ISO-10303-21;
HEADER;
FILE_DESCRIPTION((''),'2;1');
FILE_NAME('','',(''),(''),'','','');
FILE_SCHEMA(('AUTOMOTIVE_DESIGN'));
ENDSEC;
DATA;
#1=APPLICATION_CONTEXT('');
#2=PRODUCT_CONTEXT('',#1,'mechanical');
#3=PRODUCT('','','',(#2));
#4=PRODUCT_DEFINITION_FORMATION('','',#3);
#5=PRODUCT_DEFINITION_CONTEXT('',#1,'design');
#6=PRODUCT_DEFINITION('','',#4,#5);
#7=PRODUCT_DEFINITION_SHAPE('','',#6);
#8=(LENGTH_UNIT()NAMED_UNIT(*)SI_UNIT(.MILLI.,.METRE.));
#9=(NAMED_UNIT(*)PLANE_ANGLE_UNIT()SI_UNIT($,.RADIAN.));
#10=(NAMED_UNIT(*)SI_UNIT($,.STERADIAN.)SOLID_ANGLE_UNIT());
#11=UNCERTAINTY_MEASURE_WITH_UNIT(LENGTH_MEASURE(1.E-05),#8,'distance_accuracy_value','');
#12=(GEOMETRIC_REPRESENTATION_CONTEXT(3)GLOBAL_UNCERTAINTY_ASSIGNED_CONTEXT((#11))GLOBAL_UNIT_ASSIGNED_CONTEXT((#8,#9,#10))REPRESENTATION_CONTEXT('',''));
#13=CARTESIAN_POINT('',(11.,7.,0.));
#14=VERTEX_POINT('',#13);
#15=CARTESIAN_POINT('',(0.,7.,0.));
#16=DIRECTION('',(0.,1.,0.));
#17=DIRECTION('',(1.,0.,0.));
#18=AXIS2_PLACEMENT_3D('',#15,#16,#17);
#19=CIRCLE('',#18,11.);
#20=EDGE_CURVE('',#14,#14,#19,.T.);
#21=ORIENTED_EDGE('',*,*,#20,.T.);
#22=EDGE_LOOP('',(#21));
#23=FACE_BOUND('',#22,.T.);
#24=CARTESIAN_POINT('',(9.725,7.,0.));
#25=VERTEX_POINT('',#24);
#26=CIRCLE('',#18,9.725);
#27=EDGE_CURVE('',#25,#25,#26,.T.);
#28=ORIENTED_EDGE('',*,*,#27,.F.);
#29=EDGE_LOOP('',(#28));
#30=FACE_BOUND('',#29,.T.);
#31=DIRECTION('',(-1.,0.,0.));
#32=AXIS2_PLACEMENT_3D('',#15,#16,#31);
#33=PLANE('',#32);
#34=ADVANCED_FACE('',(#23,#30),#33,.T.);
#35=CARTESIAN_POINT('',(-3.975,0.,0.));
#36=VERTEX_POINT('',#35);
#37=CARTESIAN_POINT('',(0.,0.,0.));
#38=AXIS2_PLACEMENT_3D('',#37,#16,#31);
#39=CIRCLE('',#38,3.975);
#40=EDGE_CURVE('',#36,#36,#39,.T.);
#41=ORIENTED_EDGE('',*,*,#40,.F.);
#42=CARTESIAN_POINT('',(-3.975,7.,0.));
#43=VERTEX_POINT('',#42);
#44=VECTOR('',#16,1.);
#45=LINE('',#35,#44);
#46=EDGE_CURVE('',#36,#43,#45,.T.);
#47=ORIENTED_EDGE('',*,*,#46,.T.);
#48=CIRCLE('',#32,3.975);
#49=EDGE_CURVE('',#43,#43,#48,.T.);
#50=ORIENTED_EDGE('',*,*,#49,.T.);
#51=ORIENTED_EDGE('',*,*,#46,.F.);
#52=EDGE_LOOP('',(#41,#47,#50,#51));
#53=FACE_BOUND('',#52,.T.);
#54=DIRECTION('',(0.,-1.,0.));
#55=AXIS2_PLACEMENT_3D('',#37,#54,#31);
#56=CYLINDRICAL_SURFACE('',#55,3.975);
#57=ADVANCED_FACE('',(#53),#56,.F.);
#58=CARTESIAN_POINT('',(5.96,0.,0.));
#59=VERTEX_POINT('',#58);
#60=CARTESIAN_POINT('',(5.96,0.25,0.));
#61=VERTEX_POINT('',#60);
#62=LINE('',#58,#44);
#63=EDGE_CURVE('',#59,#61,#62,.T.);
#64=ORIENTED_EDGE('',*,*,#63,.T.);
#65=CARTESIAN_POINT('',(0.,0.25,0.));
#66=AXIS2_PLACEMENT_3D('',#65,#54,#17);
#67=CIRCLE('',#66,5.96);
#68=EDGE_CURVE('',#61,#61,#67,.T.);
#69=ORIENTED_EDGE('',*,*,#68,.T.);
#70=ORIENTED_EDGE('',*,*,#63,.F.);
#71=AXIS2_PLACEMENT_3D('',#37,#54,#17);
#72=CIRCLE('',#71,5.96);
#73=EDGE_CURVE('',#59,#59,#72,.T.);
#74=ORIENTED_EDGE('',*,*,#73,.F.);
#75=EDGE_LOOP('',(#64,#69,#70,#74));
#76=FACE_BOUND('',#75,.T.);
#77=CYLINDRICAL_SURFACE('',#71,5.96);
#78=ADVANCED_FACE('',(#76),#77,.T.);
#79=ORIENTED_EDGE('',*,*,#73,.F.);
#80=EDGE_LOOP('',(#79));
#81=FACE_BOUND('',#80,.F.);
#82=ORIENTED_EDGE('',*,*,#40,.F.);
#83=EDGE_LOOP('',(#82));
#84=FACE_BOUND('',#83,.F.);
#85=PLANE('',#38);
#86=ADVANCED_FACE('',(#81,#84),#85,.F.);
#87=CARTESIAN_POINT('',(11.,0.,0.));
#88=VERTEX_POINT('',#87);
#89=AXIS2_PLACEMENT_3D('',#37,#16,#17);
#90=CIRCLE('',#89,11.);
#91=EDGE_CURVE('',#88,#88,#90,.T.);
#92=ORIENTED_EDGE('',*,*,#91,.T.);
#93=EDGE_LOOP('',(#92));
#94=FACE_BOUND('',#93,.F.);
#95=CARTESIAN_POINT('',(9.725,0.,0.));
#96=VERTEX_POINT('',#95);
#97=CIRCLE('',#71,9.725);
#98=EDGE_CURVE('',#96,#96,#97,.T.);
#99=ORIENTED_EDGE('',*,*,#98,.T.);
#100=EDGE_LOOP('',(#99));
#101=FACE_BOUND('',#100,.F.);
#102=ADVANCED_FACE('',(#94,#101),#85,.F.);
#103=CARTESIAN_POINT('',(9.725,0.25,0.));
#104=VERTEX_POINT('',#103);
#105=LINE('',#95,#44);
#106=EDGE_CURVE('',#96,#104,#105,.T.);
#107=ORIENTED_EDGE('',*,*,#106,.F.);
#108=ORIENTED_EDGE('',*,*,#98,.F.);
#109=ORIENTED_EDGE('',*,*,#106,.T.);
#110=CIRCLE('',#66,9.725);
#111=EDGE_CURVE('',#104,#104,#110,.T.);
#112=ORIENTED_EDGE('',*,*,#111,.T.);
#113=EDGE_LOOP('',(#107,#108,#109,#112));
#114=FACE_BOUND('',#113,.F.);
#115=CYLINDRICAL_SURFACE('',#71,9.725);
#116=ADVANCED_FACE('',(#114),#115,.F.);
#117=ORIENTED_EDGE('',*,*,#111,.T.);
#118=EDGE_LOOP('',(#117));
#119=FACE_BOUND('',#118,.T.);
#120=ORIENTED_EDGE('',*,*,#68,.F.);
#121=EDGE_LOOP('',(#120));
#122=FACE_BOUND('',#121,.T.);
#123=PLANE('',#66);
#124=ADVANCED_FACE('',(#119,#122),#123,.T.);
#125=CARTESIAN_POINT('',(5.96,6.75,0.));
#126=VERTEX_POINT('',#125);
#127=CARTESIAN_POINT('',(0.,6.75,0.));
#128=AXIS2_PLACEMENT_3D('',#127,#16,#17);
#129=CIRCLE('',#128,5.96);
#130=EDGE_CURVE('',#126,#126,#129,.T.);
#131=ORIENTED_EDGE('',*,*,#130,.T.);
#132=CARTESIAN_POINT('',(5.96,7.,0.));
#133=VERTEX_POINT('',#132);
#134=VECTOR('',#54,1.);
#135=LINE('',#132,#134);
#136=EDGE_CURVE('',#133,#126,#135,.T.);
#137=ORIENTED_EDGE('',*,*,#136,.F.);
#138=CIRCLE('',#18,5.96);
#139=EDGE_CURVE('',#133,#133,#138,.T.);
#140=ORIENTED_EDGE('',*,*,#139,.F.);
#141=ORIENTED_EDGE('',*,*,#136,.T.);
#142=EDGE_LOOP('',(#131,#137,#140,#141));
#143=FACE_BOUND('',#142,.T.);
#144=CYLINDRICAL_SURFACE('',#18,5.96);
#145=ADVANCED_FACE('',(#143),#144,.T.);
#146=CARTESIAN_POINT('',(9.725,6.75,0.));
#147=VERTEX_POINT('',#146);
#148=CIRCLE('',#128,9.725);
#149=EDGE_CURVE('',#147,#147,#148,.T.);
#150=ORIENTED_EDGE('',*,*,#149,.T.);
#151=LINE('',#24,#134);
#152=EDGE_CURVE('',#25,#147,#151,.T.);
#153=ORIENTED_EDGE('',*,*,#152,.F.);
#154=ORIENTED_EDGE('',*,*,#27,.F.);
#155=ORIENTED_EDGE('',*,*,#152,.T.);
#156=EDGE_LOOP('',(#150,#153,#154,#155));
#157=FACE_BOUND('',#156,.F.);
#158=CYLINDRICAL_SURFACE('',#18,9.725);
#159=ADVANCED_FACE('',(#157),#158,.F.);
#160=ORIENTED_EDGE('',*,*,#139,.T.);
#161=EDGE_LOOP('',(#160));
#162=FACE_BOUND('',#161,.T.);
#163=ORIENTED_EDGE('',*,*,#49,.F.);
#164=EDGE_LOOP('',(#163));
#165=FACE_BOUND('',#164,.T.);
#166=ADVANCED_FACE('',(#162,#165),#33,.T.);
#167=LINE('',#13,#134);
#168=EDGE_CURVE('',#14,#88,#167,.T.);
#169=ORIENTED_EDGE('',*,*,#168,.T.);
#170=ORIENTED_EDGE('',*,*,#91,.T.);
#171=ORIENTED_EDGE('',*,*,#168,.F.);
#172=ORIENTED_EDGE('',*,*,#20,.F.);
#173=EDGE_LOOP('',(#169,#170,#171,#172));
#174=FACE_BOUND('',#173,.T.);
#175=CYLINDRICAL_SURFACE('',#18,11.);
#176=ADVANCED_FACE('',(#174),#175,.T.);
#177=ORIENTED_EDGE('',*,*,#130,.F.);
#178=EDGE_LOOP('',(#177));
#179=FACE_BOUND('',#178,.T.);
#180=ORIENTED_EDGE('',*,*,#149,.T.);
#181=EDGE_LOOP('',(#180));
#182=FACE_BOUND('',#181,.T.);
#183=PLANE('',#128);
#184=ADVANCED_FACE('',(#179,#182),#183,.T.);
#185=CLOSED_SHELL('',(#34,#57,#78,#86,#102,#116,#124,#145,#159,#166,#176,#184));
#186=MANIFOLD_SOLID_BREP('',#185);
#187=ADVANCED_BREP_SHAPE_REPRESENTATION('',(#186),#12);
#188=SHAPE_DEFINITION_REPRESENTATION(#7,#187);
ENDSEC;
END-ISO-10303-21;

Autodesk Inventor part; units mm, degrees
ref_plane "YZ Plane" through (0, 0, 0) normal (1, 0, 0) x (0, 1, 0)
ref_plane "XZ Plane" through (0, 0, 0) normal (0, 1, 0) x (-1, 0, 0)
ref_plane "XY Plane" through (0, 0, 0) normal (0, 0, 1) x (1, 0, 0)
sketch "Sketch1" plane through (0, 0, 0) normal (0, 1, 0) x (-1, 0, 0)
  circle A0 centre (0, 0) radius 3.975
  circle A1 centre (0, 0) radius 5.965
  dimension "d0" = 7.95
  dimension "d1" = 11.93
extrude "Extrusion1" add sketch "Sketch1" along normal blind 7
sketch "Sketch2" plane through (0, 7, 0) normal (0, 1, 0) x (1, 0, 0)
  circle A0 centre (0, 0) radius 5.965 projected
  circle A1 centre (0, 0) radius 11
  dimension "d4" = 22
extrude "Extrusion2" add sketch "Sketch2" against normal up to surface (7 mm away)
sketch "Sketch3" plane through (0, 0, 0) normal (0, -1, 0) x (1, 0, 0)
  circle A0 centre (0, 0) radius 5.96
  circle A1 centre (0, 0) radius 9.725
  dimension "d7" = 11.92
  dimension "d8" = 19.45
extrude "Extrusion3" cut sketch "Sketch3" against normal blind 0.25
sketch "Sketch4" plane through (0, 7, 0) normal (0, 1, 0) x (1, 0, 0)
  circle A0 centre (0, 0) radius 5.96 projected
  circle A1 centre (0, 0) radius 9.725 projected
  circle A2 centre (0, 0) radius 5.96 projected
  circle A3 centre (0, 0) radius 9.725 projected
extrude "Extrusion4" cut sketch "Sketch4" against normal blind 0.25
properties part number "bearing_1"
